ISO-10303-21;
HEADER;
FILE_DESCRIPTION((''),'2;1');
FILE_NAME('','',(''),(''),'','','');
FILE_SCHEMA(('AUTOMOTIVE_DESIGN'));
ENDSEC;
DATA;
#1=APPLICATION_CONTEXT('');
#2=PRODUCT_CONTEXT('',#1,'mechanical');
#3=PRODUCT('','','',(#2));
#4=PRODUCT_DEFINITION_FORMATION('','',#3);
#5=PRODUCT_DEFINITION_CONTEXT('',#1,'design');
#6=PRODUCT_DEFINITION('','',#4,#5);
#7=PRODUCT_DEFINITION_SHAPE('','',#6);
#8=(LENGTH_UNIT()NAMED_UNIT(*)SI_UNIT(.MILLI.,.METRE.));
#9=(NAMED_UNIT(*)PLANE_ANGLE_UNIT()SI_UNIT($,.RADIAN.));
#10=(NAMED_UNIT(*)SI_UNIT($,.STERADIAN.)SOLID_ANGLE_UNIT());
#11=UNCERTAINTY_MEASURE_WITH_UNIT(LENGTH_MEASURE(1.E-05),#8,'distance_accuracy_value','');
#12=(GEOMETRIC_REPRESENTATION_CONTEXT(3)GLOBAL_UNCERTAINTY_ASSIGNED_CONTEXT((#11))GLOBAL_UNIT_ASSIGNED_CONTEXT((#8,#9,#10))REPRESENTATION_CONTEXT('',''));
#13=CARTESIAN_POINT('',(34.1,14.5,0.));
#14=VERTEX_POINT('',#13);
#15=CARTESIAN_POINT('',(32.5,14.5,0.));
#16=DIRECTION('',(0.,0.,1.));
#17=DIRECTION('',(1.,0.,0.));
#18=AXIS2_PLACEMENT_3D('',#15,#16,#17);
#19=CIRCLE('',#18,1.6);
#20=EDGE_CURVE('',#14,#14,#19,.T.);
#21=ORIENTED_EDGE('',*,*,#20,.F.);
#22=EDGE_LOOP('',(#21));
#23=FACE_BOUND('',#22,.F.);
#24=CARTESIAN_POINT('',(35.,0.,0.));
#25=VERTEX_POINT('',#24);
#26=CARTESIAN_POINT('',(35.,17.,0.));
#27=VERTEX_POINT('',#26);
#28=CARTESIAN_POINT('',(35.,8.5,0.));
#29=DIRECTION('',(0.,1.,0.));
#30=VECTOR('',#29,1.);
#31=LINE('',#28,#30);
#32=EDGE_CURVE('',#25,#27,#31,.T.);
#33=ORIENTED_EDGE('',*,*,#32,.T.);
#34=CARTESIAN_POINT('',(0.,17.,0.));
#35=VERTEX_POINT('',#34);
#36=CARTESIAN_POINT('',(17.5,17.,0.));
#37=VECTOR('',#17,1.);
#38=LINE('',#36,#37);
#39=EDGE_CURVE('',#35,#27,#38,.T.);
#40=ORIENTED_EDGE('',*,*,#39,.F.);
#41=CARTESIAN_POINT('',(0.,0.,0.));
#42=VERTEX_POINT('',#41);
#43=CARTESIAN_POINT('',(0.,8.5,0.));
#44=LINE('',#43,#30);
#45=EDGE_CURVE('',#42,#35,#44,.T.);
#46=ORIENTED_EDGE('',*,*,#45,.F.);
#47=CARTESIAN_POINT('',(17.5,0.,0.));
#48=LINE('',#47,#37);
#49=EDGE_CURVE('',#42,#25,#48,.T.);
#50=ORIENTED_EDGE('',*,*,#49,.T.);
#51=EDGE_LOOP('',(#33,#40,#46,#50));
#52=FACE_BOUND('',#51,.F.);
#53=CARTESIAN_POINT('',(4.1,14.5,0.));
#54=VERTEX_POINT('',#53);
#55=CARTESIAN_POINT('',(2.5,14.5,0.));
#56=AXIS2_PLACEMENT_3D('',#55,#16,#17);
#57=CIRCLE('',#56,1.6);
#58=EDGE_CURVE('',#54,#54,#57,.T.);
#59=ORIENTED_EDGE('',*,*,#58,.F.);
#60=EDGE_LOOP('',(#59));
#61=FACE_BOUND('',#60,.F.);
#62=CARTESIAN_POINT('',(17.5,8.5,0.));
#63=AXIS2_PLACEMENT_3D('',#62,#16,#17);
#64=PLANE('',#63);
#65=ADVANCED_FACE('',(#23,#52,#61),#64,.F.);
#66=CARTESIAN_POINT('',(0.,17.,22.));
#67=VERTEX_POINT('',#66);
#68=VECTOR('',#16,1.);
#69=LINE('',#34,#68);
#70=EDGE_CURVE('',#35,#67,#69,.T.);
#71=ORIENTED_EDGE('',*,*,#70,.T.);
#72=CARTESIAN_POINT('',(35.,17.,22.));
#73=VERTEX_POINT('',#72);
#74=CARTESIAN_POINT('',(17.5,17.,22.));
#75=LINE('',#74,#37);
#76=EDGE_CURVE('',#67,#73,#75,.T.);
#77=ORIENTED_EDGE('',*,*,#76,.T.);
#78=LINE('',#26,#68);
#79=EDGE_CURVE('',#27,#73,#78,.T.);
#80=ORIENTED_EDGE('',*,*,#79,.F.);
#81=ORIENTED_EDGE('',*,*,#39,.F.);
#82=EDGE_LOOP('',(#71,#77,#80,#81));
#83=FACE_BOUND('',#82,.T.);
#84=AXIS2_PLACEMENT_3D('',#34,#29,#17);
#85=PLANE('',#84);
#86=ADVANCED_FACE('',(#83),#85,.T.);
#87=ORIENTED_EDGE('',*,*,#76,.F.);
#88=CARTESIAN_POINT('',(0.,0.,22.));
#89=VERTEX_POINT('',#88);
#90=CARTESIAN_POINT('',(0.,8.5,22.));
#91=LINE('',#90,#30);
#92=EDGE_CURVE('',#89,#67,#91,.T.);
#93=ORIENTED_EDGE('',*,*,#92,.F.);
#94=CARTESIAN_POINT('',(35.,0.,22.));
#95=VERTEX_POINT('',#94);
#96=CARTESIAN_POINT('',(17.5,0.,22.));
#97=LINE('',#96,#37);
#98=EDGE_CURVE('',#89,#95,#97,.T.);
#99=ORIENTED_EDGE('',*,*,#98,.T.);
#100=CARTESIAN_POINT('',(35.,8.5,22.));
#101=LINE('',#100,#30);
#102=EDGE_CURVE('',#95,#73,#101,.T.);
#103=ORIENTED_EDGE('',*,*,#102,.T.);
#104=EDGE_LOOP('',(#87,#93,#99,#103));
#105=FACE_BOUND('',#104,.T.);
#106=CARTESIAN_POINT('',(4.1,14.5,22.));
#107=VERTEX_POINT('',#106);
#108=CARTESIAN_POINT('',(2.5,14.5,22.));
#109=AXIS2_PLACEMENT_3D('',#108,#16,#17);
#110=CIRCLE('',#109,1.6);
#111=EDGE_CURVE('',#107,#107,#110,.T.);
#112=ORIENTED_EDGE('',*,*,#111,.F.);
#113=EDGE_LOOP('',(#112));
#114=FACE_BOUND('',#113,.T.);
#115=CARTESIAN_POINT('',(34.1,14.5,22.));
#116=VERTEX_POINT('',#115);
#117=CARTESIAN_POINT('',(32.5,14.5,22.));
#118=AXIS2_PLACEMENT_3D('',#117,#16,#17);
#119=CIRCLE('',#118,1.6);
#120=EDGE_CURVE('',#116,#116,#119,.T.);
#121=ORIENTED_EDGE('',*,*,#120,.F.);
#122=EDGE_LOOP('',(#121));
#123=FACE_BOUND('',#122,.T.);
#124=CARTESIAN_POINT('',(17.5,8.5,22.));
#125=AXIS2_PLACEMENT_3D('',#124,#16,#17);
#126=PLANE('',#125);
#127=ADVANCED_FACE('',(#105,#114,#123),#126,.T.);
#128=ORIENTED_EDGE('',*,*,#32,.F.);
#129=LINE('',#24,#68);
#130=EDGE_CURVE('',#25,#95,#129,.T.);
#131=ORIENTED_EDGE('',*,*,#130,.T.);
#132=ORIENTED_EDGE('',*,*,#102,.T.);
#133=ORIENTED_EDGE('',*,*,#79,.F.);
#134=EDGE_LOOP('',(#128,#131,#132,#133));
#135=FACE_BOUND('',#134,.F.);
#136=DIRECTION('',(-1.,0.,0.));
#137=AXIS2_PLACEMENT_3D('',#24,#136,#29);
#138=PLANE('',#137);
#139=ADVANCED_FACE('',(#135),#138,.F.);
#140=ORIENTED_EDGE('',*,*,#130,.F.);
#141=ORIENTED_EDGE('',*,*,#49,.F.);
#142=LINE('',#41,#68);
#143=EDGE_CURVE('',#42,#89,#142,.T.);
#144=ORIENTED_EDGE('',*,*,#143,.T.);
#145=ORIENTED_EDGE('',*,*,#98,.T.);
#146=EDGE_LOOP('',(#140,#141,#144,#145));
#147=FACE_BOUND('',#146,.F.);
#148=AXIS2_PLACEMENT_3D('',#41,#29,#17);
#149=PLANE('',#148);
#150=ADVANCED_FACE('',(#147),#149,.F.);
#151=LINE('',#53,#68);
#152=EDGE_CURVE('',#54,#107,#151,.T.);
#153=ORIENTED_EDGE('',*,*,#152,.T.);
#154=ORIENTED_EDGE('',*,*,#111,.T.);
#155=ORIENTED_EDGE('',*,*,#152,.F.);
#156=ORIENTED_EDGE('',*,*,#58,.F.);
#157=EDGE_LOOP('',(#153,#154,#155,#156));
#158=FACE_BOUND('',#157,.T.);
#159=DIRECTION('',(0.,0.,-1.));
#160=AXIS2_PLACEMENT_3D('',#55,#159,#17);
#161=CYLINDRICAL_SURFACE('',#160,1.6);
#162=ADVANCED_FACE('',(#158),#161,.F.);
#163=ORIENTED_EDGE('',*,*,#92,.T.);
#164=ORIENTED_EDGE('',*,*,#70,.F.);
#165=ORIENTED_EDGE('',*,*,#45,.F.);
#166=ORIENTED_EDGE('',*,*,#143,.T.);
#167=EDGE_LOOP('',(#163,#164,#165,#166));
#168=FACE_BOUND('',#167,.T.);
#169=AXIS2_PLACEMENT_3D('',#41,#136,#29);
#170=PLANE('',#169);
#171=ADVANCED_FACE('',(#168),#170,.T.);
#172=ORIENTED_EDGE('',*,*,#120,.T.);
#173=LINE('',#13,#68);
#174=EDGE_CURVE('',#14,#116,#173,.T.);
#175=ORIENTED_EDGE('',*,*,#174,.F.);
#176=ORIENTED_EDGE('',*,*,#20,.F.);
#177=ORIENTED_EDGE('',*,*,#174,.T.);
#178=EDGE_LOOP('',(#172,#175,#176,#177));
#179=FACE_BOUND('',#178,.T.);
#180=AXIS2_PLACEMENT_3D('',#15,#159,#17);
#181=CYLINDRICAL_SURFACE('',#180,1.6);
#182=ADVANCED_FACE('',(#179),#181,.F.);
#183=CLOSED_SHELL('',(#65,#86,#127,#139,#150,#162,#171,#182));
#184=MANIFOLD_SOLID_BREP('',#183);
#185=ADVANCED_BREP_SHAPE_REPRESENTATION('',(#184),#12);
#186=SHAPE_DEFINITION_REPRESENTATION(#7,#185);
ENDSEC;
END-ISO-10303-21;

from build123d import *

# Parameters (mm, degrees)
SKETCH_W  = 35
SKETCH_H  = 17
SKETCH_R  = 1.6
PAD_DEPTH = 22


with BuildPart() as part:
    # Sketch → Pad (new body)
    with BuildSketch(Plane.XY):
        with Locations((17.5, 8.5)):
            Rectangle(SKETCH_W, SKETCH_H)
        with Locations((2.5, 14.5)):
            Circle(SKETCH_R, mode=Mode.SUBTRACT)
        with Locations((32.5, 14.5)):
            Circle(SKETCH_R, mode=Mode.SUBTRACT)
    extrude(amount=PAD_DEPTH)


solid = part.part
